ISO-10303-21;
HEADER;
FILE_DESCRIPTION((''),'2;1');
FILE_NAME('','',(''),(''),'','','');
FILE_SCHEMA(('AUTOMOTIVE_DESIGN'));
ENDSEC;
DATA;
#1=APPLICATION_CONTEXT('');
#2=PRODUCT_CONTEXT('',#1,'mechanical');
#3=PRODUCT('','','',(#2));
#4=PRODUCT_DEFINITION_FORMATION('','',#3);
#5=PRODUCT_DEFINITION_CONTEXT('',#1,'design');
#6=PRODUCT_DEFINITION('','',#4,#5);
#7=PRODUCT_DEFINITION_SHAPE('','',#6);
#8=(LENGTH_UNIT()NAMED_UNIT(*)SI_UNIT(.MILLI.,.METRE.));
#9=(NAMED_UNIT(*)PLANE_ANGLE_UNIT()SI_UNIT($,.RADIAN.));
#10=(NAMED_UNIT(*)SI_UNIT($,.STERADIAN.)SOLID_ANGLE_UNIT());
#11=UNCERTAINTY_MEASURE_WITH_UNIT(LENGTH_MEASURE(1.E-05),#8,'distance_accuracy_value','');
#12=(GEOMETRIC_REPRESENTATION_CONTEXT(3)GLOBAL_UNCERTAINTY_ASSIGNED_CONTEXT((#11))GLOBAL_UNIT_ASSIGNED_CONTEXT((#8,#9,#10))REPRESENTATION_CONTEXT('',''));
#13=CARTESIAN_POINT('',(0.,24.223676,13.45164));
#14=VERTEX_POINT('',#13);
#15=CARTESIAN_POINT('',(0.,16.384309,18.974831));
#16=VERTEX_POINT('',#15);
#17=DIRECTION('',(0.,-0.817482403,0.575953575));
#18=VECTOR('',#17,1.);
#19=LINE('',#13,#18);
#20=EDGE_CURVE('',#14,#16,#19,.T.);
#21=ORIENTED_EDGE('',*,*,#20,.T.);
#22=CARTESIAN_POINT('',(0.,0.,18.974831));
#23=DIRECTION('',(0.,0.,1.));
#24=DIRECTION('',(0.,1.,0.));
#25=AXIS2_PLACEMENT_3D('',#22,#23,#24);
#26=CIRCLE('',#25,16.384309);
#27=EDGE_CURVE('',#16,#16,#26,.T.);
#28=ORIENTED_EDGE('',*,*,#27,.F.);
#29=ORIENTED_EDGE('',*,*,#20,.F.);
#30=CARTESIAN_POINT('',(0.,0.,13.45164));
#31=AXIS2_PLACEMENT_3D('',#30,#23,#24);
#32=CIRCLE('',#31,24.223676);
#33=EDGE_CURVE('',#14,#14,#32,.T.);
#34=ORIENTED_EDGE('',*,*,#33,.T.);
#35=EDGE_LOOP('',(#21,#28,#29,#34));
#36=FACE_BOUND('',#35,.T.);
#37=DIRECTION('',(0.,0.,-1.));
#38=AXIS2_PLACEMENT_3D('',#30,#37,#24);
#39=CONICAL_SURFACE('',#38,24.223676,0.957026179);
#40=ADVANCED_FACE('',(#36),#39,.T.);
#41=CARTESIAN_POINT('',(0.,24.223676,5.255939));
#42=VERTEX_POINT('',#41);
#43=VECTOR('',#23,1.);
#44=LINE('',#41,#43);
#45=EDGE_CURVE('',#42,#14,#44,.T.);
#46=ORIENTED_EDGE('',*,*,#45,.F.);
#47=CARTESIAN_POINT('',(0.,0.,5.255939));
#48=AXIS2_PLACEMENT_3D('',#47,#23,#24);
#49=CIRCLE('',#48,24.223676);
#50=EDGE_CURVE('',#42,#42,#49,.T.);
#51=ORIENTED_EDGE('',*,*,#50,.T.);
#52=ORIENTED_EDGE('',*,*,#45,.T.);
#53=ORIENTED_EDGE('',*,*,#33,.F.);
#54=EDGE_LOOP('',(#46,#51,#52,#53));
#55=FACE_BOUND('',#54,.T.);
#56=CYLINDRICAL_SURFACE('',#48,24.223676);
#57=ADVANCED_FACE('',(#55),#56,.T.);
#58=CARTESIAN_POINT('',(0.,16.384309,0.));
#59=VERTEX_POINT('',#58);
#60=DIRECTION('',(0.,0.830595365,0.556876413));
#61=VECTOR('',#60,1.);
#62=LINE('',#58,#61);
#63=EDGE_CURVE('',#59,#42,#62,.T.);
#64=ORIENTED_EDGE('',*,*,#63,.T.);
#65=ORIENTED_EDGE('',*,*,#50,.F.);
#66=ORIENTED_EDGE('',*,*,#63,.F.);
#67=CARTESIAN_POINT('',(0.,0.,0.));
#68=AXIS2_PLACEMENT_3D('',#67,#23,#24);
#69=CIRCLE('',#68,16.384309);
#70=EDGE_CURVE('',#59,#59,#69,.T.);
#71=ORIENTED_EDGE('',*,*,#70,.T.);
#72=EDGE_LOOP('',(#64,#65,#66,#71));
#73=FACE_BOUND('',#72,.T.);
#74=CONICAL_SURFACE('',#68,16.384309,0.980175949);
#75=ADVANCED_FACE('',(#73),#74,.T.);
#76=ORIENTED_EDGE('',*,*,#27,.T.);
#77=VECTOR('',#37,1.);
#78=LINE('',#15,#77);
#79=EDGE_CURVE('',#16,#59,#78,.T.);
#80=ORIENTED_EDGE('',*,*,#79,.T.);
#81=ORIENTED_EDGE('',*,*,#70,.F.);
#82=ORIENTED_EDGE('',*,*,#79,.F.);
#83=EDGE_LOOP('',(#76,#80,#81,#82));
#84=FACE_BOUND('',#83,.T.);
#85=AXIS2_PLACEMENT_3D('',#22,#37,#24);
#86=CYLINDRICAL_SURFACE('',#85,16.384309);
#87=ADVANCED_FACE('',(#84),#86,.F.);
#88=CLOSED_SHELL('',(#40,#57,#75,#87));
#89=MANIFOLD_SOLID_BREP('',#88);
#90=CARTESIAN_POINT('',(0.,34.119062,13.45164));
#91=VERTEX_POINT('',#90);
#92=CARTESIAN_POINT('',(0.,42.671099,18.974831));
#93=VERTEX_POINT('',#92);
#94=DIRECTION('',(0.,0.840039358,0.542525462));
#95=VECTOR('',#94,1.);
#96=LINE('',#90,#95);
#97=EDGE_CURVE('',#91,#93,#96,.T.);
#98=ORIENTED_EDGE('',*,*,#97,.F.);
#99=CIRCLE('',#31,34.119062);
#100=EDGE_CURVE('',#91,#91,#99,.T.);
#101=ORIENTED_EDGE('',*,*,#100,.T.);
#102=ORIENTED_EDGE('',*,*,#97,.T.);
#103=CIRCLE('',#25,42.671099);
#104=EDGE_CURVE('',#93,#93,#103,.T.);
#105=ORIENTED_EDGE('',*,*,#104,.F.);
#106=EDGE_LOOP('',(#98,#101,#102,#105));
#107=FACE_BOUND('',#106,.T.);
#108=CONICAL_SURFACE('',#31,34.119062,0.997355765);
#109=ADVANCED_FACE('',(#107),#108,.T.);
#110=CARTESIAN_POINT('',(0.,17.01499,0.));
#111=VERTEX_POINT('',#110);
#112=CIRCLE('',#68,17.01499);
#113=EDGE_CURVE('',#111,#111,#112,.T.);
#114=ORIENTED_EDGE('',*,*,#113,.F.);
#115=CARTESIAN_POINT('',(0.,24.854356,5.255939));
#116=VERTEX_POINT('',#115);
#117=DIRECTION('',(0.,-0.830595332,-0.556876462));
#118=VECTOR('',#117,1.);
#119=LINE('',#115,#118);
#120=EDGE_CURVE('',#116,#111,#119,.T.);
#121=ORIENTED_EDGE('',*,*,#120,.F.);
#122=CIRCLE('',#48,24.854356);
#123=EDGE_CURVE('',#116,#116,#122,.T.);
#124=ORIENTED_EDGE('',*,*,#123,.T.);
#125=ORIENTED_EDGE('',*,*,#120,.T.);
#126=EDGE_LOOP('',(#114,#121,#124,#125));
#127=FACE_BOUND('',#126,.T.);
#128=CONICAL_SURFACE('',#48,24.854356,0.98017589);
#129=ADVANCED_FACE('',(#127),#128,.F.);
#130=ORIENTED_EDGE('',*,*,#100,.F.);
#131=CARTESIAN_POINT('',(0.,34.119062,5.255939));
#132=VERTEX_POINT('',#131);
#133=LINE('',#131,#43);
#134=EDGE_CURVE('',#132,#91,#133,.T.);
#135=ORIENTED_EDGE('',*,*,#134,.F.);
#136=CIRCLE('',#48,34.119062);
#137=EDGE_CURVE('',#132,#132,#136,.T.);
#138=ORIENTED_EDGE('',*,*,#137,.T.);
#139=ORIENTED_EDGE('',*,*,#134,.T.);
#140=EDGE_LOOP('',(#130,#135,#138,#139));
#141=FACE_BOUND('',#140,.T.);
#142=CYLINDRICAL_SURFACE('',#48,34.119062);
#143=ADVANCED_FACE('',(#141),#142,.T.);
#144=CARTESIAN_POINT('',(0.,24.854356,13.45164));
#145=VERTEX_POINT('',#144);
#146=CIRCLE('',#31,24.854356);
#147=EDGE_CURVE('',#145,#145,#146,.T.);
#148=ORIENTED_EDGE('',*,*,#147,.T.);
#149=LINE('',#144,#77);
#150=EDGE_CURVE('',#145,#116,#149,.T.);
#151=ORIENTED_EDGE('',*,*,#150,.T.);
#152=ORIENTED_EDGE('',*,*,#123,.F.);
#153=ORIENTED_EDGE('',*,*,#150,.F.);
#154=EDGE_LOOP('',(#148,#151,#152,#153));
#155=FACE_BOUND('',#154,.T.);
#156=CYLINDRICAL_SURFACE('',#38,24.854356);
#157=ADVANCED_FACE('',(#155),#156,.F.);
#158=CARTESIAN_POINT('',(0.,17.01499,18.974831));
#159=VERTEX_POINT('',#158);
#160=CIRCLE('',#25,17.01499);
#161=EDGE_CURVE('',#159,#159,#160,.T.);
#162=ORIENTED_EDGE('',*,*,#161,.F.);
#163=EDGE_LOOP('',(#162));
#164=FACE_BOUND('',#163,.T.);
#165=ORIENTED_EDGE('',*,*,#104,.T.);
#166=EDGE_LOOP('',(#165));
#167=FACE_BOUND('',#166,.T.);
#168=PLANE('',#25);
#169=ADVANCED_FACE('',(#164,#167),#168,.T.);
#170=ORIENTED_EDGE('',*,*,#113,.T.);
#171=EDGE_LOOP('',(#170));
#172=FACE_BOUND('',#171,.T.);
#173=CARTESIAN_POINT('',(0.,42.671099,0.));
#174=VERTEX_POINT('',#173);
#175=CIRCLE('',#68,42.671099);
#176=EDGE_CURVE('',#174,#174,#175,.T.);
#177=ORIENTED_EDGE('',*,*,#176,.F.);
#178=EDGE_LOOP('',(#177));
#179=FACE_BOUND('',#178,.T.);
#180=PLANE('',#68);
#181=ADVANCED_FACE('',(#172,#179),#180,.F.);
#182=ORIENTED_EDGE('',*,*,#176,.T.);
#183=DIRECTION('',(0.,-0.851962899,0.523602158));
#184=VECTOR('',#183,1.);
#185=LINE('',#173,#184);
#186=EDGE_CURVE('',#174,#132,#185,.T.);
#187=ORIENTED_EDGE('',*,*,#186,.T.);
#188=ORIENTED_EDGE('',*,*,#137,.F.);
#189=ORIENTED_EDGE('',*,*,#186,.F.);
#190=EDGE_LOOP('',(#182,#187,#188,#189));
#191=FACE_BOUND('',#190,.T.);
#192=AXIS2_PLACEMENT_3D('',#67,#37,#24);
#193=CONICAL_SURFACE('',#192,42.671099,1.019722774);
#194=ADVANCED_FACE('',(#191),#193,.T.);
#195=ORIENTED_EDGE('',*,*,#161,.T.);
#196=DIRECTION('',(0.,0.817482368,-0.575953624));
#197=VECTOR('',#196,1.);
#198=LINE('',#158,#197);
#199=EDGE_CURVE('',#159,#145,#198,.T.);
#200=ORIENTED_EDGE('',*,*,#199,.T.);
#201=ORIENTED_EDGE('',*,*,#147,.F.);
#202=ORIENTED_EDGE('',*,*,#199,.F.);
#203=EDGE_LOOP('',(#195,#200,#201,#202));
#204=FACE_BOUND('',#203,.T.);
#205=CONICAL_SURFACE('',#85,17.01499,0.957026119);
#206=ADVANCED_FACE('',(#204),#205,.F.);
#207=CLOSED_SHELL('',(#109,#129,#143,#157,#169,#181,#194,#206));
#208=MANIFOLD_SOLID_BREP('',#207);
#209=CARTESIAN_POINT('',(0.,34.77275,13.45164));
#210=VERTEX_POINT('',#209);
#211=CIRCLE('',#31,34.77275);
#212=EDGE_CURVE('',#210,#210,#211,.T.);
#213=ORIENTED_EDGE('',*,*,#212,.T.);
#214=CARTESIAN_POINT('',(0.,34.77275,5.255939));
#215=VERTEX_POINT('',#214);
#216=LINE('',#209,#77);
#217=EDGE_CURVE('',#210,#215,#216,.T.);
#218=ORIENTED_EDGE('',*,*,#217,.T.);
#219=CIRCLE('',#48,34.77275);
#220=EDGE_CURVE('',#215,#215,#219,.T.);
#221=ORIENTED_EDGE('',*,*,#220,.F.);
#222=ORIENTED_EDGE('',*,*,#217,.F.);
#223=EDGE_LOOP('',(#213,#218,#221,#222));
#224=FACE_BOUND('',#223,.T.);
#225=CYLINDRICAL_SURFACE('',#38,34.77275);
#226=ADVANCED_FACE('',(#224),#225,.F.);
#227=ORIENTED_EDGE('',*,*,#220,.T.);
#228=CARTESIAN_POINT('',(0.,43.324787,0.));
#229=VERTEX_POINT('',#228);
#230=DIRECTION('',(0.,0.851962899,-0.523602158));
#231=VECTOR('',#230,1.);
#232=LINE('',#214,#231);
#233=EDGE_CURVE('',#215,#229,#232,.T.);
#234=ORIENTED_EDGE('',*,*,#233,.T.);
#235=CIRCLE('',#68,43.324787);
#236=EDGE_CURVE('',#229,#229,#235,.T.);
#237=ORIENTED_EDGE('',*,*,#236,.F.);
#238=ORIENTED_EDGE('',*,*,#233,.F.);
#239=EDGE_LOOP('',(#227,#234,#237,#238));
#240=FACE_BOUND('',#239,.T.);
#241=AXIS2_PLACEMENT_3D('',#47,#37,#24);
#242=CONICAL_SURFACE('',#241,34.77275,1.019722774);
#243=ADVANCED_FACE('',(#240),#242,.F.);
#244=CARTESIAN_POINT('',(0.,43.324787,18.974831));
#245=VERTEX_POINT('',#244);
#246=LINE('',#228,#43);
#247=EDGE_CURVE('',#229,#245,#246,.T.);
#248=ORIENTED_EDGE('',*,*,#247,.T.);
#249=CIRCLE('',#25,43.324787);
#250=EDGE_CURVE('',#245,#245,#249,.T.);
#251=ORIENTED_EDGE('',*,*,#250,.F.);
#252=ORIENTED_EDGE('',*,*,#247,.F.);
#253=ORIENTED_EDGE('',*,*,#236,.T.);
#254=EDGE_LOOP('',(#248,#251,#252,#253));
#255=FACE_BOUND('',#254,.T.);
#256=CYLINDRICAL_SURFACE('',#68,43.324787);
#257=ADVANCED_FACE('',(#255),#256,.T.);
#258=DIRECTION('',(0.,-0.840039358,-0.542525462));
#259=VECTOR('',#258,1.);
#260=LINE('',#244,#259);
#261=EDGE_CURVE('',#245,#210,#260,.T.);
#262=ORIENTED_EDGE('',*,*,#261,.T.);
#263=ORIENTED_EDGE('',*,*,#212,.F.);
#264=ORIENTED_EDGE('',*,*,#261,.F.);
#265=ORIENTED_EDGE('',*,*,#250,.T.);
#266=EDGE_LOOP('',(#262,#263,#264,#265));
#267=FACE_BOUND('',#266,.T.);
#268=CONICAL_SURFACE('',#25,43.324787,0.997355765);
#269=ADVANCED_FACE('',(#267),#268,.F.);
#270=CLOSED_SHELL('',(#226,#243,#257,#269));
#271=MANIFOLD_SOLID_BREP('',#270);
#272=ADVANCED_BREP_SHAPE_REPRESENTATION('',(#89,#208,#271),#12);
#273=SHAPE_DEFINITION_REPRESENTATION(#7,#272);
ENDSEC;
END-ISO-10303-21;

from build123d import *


with BuildPart() as f1:
    # F0 (on Right) → F1 (revolve)
    with BuildSketch(Plane.YZ):
        Polygon((24.854356, 5.255939), (17.01499, 0), (42.671099, 0), (34.119062, 5.255939), (34.119062, 13.45164), (42.671099, 18.974831), (17.01499, 18.974831), (24.854356, 13.45164), align=None)
        Polygon((43.324787, 0), (43.324787, 18.974831), (34.77275, 13.45164), (34.77275, 5.255939), align=None)
        Polygon((24.223676, 13.45164), (16.384309, 18.974831), (16.384309, 0), (24.223676, 5.255939), align=None)
    revolve(axis=Axis((0, 0, 5.286295), (0, 0, 1)))


solid = f1.part
